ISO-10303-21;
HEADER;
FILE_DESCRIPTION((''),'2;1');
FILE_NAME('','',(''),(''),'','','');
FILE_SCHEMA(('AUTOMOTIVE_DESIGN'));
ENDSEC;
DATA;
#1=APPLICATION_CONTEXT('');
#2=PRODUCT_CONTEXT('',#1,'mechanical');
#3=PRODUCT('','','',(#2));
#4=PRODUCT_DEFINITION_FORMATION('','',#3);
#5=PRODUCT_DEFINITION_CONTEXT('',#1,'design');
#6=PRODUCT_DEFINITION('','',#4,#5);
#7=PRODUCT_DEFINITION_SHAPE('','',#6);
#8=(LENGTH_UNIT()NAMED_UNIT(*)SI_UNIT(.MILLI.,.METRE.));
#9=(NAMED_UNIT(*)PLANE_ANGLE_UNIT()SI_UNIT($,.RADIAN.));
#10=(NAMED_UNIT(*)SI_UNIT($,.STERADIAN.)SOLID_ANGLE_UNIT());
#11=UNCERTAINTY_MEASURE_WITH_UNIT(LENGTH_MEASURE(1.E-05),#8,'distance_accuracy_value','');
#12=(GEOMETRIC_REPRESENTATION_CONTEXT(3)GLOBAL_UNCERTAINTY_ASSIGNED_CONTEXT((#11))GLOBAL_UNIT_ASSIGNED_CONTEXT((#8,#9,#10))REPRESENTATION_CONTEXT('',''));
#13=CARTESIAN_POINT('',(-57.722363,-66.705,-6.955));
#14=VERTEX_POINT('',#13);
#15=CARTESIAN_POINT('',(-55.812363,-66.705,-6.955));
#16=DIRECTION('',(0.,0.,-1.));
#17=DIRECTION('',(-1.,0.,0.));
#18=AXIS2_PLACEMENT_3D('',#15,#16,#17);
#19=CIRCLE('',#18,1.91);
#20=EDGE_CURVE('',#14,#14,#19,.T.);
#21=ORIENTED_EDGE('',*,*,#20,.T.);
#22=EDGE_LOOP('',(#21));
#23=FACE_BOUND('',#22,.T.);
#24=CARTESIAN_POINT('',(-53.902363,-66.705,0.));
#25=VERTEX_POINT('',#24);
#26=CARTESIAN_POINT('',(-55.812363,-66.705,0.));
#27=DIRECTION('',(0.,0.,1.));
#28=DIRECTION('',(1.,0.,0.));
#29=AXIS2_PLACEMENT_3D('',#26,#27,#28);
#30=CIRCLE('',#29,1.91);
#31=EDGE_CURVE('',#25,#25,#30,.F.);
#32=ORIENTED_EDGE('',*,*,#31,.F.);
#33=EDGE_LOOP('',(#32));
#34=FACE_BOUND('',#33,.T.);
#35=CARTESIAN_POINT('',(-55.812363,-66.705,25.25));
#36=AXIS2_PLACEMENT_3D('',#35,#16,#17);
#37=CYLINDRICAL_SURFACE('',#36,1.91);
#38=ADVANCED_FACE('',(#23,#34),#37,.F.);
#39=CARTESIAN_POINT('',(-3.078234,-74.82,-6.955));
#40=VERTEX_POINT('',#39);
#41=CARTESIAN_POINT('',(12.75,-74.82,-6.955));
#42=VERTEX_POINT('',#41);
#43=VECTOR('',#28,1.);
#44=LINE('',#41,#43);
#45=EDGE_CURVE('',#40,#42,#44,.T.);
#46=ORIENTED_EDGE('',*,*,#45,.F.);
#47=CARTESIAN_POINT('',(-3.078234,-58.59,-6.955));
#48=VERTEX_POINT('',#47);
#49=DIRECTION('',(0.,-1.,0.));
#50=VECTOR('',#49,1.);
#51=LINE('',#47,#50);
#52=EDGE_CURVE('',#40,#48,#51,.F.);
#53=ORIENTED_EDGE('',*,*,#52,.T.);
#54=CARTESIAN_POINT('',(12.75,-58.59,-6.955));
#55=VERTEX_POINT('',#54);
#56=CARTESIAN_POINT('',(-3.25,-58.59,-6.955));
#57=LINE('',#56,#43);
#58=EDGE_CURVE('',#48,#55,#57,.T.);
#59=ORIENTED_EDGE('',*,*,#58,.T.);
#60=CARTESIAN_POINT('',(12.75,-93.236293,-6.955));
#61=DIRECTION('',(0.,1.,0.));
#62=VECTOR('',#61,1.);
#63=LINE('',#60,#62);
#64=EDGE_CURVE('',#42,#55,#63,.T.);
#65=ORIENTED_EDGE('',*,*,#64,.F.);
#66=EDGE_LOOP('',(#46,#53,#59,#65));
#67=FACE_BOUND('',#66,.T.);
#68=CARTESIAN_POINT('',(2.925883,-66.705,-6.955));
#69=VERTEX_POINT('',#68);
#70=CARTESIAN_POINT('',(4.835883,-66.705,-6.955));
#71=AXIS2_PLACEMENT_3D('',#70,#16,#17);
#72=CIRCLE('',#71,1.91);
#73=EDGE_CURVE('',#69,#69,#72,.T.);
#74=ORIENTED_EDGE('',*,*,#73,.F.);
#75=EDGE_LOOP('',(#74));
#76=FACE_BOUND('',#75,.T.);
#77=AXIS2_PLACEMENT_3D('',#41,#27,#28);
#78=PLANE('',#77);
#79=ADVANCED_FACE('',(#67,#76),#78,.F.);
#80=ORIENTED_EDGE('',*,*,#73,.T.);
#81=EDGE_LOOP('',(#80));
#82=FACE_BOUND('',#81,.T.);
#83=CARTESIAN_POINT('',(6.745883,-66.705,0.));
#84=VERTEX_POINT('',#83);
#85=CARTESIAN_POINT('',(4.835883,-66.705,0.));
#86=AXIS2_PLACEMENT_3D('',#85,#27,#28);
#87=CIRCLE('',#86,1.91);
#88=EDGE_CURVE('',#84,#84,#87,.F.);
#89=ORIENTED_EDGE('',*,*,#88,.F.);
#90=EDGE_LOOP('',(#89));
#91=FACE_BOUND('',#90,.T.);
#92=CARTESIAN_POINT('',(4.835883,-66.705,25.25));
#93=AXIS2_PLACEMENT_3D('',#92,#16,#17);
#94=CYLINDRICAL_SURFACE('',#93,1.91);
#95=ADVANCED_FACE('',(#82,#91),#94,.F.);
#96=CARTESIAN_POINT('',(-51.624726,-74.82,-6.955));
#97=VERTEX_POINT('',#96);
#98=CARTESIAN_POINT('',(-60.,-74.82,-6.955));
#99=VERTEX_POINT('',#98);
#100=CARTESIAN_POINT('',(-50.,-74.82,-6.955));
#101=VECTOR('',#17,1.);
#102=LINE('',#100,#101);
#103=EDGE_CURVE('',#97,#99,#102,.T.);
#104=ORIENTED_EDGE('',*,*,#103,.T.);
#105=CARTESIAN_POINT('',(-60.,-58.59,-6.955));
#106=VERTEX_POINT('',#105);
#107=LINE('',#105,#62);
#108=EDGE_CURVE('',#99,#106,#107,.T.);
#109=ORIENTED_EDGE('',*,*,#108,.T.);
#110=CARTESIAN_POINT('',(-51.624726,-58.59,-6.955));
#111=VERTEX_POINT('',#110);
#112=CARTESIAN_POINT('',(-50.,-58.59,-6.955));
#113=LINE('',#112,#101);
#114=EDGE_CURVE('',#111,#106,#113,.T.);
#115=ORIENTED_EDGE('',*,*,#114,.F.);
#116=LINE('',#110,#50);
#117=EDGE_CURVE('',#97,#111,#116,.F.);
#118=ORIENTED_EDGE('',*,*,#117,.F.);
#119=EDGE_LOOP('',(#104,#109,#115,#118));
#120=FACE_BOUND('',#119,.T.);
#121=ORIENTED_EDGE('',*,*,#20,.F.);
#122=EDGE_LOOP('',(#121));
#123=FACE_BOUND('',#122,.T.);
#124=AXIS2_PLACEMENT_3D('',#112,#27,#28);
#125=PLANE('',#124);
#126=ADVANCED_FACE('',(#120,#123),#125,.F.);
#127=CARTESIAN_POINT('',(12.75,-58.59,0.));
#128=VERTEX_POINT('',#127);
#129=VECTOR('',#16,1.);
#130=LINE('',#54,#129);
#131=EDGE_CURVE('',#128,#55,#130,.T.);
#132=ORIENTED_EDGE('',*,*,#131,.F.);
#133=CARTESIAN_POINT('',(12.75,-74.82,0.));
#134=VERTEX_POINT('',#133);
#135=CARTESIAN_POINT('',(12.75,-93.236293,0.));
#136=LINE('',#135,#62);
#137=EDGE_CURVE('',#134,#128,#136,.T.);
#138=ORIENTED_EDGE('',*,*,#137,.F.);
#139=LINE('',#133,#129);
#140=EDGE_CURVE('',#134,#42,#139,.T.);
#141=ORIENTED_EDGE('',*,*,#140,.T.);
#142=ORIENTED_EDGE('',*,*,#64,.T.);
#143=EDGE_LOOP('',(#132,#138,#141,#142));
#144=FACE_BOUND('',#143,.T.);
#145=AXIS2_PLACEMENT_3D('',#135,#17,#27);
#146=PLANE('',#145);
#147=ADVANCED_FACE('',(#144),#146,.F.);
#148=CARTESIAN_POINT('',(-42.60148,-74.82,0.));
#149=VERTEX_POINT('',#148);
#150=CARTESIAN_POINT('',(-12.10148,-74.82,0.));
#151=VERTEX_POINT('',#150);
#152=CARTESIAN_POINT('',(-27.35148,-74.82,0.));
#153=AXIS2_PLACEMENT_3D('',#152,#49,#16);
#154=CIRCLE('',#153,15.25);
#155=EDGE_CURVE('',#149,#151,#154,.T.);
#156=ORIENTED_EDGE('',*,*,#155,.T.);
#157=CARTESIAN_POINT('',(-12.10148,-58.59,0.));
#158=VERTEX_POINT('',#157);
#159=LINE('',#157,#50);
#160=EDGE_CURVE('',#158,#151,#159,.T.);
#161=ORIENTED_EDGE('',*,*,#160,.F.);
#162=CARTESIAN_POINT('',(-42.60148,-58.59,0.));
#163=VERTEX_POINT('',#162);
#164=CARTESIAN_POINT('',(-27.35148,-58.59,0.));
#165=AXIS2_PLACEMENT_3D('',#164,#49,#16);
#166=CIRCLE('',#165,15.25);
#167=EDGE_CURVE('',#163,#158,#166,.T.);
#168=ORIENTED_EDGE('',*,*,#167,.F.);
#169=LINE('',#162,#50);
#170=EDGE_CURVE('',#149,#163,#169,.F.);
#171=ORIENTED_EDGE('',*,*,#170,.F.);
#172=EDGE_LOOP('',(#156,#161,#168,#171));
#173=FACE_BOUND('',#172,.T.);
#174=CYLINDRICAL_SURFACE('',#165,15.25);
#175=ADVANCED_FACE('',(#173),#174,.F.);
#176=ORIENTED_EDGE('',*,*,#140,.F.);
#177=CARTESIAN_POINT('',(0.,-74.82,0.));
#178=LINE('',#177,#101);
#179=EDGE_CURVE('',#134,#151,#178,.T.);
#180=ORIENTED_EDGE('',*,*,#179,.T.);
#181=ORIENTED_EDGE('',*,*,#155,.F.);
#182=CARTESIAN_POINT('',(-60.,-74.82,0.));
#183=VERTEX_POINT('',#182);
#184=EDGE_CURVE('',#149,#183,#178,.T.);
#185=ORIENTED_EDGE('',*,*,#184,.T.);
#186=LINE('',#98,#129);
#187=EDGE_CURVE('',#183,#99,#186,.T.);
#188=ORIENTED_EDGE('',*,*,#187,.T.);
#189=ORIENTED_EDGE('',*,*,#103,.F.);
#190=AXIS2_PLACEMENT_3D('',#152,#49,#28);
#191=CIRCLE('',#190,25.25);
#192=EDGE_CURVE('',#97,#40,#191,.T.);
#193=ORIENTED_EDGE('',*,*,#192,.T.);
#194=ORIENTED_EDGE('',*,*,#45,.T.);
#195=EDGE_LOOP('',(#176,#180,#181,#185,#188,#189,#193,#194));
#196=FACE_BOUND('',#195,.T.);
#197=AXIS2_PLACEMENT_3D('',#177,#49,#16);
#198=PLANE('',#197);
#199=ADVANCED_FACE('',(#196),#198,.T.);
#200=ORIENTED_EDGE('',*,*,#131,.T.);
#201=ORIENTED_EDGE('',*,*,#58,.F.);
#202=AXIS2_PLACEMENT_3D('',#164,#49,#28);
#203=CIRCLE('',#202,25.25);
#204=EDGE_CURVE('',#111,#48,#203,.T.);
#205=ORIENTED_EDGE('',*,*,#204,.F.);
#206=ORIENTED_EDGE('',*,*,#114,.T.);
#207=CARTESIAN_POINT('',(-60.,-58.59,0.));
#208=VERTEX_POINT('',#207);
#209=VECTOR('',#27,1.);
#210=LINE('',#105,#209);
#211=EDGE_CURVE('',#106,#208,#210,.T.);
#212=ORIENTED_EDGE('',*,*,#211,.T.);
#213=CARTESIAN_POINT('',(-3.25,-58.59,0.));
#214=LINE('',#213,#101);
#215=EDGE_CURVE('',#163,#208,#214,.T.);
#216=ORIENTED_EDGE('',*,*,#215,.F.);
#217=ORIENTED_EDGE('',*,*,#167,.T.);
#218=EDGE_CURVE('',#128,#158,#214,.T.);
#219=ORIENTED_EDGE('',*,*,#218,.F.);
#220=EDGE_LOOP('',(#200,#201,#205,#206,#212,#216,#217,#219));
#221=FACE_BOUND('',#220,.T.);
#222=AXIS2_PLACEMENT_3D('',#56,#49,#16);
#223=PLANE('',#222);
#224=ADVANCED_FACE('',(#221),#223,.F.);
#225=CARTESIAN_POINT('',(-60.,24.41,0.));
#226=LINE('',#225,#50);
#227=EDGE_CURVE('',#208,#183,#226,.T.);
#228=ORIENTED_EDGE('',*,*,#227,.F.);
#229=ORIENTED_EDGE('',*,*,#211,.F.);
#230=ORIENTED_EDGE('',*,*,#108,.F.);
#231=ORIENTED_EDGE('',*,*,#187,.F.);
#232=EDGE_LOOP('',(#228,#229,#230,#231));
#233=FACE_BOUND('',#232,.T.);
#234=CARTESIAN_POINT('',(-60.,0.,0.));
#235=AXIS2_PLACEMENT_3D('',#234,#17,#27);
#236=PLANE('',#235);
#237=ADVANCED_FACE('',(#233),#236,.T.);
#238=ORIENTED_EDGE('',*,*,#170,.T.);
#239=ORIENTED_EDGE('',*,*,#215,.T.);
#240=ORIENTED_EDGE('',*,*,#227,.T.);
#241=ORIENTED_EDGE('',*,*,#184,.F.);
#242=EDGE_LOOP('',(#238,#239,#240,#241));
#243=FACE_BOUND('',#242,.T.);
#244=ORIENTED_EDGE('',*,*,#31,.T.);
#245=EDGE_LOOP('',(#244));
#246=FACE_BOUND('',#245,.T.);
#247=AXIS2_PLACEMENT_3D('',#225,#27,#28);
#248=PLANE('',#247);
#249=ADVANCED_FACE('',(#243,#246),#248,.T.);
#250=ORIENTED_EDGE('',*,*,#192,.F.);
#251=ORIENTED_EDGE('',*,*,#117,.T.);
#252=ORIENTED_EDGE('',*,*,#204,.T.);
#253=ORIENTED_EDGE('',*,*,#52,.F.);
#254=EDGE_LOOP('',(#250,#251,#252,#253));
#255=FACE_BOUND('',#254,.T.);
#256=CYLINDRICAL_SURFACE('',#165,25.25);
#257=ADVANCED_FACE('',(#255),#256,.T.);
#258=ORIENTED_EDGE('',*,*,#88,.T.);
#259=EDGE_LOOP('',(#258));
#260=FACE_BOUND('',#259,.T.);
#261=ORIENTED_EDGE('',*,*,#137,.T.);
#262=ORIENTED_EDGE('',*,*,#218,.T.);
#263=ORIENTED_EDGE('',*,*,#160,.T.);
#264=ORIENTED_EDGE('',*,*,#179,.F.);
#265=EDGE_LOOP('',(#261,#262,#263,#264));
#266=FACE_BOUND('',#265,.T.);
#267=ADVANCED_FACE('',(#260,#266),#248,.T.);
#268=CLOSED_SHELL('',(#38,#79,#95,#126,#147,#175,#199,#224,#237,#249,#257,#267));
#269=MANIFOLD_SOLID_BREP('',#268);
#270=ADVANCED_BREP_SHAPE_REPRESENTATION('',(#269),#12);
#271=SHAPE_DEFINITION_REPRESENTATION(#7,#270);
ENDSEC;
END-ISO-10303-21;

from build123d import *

# Parameters (mm, degrees)
SKETCH_1_W               = 51.5
SKETCH_1_H               = 34.15
SKETCH_1_W_2             = 31.5
SKETCH_1_H_2             = 14.15
EXTRUDE_1_DEPTH          = 12.25
SKETCH_2_R               = 1.91
CUT_EXTRUDE_1_DEPTH      = 34.236736076
SKETCH_4_W               = 13
SKETCH_4_H               = 13.91
EXTRUDE_1_2_DEPTH        = 74.82
SKETCH_5_W               = 13.91
SKETCH_5_H               = 16.23
EXTRUDE_2_DEPTH          = 16
SKETCH_7_R               = 25.25
SKETCH_7_R_2             = 15.25
EXTRUDE_2_2_DEPTH        = 16.23
SKETCH_15_R              = 1.91
CUT_EXTRUDE_6_DEPTH      = 97.964478439
SKETCH_16_W              = 13.91
SKETCH_16_H              = 16.23
EXTRUDE_4_DEPTH          = 10
SKETCH_17_R              = 1.91
CUT_EXTRUDE_7_DEPTH      = 102.16913771
CUT_EXTRUDE_8_DEPTH      = 83
CUT_EXTRUDE_8_DEPTH_BACK = 41
SKETCH_19_W              = 96.544544687
SKETCH_19_H              = 28.426665618
SKETCH_21_W              = 18.566153186
SKETCH_21_H              = 50.693982062
CUT_EXTRUDE_10_DEPTH     = 57
SKETCH_22_W              = 13
SKETCH_22_H              = 6.955
CUT_EXTRUDE_11_DEPTH     = 57


with BuildPart() as part:
    # 草圖1 → Extrude 1 (new body)
    with BuildSketch(Plane(origin=(0, 0, 0), x_dir=(1, 0, 0), z_dir=(0, 1, 0))):
        Rectangle(SKETCH_1_W, SKETCH_1_H)
        Rectangle(SKETCH_1_W_2, SKETCH_1_H_2, mode=Mode.SUBTRACT)
    extrude(amount=EXTRUDE_1_DEPTH)

    # 草圖2 → 除料-伸長1 (cut, through all)
    with BuildSketch(Plane(origin=(0, 12.25, 0), x_dir=(1, 0, 0), z_dir=(0, 1, 0))):
        with Locations(Location((-20.75, 0, 0), (0, 0, 270))):
            Circle(SKETCH_2_R)
        with Locations(Location((20.75, 0, 0), (0, 0, 270))):
            Circle(SKETCH_2_R)
    extrude(amount=-CUT_EXTRUDE_1_DEPTH, mode=Mode.SUBTRACT)

    # 草圖4 → Extrude 1 2 (add)
    with BuildSketch(Plane.XZ):
        with Locations((19.25, 0)):
            Rectangle(SKETCH_4_W, SKETCH_4_H)
    extrude(amount=EXTRUDE_1_2_DEPTH)

    # 草圖5 → Extrude 2 (add)
    with BuildSketch(Plane.ZY.offset(-12.75)):
        with Locations((0, -66.705)):
            Rectangle(SKETCH_5_W, SKETCH_5_H)
    extrude(amount=EXTRUDE_2_DEPTH)

    # 草圖7 → Extrude 2 2 (add)
    with BuildSketch(Plane(origin=(3.626674765, -74.82, 0), x_dir=(1, 0, 0), z_dir=(0, -1, 0))):
        with Locations((-30.978154344, 0)):
            Circle(SKETCH_7_R)
        with Locations((-30.978154344, 0)):
            Circle(SKETCH_7_R_2, mode=Mode.SUBTRACT)
    extrude(amount=-EXTRUDE_2_2_DEPTH)

    # 草圖15 → 除料-伸長6 (cut, through all)
    with BuildSketch(Plane(origin=(0, 0, -6.955), x_dir=(-1, 0, 0), z_dir=(0, 0, -1))):
        with Locations((-4.835883248, -66.705)):
            Circle(SKETCH_15_R)
    extrude(amount=-CUT_EXTRUDE_6_DEPTH, mode=Mode.SUBTRACT)

    # 草圖16 → 填料-伸長4 (add)
    with BuildSketch(Plane(origin=(-60, 0, 0), x_dir=(0, 0, -1), z_dir=(1, 0, 0))):
        with Locations((0, -66.705)):
            Rectangle(SKETCH_16_W, SKETCH_16_H)
    extrude(amount=EXTRUDE_4_DEPTH)

    # 草圖17 → 除料-伸長7 (cut, through all)
    with BuildSketch(Plane(origin=(0, 0, -6.955), x_dir=(-1, 0, 0), z_dir=(0, 0, -1))):
        with Locations((55.812362827, -66.705)):
            Circle(SKETCH_17_R)
    extrude(amount=-CUT_EXTRUDE_7_DEPTH, mode=Mode.SUBTRACT)

    # 草圖19 → 除料-伸長8 (cut, two sides: drawn at the far end of the back side and taken through both)
    with BuildSketch(Plane(origin=(0, -58.59, 0), x_dir=(1, 0, 0), z_dir=(0, 1, 0)).offset(-CUT_EXTRUDE_8_DEPTH_BACK)):
        with Locations((-11.727727657, -14.213332809)):
            Rectangle(SKETCH_19_W, SKETCH_19_H)
    extrude(amount=CUT_EXTRUDE_8_DEPTH + CUT_EXTRUDE_8_DEPTH_BACK, mode=Mode.SUBTRACT)

    # 草圖21 → 除料-伸長10 (cut)
    with BuildSketch(Plane(origin=(25.75, 0, 0), x_dir=(0, 0, -1), z_dir=(1, 0, 0))):
        with Locations((9.283076593, -10.889301771)):
            Rectangle(SKETCH_21_W, SKETCH_21_H)
    extrude(amount=-CUT_EXTRUDE_10_DEPTH, mode=Mode.SUBTRACT)

    # 草圖22 → 除料-伸長11 (cut)
    with BuildSketch(Plane(origin=(0, -36.236292802, 0), x_dir=(1, 0, 0), z_dir=(0, 1, 0))):
        with Locations((19.25, 3.4775)):
            Rectangle(SKETCH_22_W, SKETCH_22_H)
    extrude(amount=-CUT_EXTRUDE_11_DEPTH, mode=Mode.SUBTRACT)


solid = part.part
